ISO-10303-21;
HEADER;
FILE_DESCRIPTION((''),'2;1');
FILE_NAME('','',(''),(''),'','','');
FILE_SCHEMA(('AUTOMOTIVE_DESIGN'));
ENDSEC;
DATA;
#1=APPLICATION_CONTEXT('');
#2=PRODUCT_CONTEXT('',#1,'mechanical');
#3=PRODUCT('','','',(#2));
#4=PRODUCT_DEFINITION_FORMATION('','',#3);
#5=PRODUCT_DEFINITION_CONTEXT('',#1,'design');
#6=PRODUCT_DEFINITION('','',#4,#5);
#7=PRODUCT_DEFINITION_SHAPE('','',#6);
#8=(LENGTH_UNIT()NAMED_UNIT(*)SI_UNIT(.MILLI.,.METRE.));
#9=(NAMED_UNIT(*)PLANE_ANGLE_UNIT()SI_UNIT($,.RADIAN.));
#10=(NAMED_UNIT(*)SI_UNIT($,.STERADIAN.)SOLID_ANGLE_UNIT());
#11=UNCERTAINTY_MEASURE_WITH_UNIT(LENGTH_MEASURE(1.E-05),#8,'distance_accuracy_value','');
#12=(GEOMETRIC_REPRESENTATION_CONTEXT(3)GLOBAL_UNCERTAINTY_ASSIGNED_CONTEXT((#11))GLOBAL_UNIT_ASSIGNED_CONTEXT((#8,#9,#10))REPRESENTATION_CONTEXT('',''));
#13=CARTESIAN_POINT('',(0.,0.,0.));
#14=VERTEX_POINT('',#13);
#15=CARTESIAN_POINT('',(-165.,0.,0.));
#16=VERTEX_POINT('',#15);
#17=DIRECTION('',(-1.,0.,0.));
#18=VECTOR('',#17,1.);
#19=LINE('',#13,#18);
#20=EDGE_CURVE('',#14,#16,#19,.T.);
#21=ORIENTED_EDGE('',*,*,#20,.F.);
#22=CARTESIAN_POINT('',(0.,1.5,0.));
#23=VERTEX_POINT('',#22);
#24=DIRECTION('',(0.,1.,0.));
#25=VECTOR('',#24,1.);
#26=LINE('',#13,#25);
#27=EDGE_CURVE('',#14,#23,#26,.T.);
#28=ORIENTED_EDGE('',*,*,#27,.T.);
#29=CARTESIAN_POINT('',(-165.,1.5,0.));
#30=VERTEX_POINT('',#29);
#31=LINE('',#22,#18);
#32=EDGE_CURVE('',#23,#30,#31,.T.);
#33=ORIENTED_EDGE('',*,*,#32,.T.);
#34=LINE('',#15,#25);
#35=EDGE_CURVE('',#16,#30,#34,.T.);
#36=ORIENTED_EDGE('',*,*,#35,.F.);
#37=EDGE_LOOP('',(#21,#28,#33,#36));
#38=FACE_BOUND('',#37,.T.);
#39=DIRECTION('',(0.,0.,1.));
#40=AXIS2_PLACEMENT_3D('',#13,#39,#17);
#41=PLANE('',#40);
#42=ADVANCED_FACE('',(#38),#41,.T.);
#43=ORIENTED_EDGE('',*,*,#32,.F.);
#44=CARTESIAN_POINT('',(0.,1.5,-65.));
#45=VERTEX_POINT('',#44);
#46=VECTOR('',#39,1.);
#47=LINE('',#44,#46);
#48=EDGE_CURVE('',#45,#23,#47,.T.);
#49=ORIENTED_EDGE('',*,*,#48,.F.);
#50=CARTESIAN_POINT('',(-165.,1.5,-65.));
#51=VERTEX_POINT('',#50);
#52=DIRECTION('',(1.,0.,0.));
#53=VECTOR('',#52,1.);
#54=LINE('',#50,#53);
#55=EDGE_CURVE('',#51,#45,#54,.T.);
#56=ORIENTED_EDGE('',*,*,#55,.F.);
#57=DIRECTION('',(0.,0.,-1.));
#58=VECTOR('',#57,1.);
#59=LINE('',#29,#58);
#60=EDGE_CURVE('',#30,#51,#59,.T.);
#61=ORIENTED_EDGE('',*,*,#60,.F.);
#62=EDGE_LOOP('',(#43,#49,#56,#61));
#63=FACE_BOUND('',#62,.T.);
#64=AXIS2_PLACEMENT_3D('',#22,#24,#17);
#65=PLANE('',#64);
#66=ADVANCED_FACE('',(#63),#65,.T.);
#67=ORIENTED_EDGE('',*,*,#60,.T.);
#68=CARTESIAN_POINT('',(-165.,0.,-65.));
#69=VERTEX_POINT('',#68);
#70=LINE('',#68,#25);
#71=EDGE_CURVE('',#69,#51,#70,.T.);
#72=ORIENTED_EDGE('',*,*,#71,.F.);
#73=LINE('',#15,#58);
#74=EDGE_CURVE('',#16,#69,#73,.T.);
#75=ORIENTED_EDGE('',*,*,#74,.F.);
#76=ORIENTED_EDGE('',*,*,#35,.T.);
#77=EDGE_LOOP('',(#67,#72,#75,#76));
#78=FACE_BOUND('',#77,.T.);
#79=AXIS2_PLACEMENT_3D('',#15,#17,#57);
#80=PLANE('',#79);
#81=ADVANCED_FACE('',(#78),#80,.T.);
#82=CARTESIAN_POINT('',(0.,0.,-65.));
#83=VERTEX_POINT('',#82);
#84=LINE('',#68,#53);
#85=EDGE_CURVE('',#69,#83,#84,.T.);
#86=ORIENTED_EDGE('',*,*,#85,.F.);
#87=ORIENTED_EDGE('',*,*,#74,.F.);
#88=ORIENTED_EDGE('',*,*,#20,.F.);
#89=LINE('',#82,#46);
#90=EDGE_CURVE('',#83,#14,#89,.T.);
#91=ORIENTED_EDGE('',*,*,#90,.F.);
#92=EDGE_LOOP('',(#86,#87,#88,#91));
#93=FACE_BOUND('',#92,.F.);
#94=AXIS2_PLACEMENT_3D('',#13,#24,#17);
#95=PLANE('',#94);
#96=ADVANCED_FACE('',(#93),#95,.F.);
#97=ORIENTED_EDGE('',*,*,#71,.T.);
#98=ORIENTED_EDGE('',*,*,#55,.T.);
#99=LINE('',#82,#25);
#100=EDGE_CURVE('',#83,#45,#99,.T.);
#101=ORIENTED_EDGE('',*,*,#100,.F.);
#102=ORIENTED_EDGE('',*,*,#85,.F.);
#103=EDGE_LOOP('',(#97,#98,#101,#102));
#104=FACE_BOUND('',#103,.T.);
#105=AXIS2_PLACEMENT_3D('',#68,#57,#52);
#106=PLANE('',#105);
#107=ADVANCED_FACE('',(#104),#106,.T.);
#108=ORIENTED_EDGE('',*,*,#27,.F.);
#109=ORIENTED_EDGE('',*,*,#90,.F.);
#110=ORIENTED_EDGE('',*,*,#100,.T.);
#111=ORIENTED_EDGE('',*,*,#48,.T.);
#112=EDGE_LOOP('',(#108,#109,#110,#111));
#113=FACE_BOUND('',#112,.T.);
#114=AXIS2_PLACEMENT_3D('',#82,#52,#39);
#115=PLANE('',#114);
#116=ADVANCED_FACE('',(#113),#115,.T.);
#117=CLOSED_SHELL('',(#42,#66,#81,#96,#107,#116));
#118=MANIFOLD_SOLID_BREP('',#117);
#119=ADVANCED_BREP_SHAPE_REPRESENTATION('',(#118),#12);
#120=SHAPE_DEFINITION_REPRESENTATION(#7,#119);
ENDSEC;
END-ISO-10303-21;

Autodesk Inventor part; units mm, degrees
ref_plane "YZ Plane" through (0, 0, 0) normal (1, 0, 0) x (0, 1, 0)
ref_plane "XZ Plane" through (0, 0, 0) normal (0, 1, 0) x (-1, 0, 0)
ref_plane "XY Plane" through (0, 0, 0) normal (0, 0, 1) x (1, 0, 0)
sketch "Skizze1" plane through (0, 0, 0) normal (0, 1, 0) x (-1, 0, 0)
  point P0 (0, 0)
sketch "Skizze2" plane through (0, 0, 0) normal (0, 1, 0) x (-1, 0, 0)
  line L0 (0, 0) -> (165, 0)
  line L1 (165, 0) -> (165, -65)
  line L2 (165, -65) -> (0, -65)
  line L3 (0, -65) -> (0, 0)
  dimension "d0" = 165
  dimension "d1" = 65
extrude "Extrusion1" add sketch "Skizze2" along normal blind 1.5
equation "\"Biegeradius\" = Stärke"
equation "\"BreiteBiegungsfreistellung\" = Stärke"
equation "\"TiefeBiegungsfreistellung\" = 0.5 * Stärke"
equation "\"GrößeEckenfreistellung\" = 4 * Stärke"
equation "\"MinimalRest\" = 2 * Stärke"
equation "\"Übergangsradius\" = Biegeradius"
equation "\"JacobiRadiusGröße\" = Biegeradius"
equation "\"Abstandsgröße\" = Stärke"
equation "\"Stärke\" = 0.5"
properties part number "Koffer_tuer"
